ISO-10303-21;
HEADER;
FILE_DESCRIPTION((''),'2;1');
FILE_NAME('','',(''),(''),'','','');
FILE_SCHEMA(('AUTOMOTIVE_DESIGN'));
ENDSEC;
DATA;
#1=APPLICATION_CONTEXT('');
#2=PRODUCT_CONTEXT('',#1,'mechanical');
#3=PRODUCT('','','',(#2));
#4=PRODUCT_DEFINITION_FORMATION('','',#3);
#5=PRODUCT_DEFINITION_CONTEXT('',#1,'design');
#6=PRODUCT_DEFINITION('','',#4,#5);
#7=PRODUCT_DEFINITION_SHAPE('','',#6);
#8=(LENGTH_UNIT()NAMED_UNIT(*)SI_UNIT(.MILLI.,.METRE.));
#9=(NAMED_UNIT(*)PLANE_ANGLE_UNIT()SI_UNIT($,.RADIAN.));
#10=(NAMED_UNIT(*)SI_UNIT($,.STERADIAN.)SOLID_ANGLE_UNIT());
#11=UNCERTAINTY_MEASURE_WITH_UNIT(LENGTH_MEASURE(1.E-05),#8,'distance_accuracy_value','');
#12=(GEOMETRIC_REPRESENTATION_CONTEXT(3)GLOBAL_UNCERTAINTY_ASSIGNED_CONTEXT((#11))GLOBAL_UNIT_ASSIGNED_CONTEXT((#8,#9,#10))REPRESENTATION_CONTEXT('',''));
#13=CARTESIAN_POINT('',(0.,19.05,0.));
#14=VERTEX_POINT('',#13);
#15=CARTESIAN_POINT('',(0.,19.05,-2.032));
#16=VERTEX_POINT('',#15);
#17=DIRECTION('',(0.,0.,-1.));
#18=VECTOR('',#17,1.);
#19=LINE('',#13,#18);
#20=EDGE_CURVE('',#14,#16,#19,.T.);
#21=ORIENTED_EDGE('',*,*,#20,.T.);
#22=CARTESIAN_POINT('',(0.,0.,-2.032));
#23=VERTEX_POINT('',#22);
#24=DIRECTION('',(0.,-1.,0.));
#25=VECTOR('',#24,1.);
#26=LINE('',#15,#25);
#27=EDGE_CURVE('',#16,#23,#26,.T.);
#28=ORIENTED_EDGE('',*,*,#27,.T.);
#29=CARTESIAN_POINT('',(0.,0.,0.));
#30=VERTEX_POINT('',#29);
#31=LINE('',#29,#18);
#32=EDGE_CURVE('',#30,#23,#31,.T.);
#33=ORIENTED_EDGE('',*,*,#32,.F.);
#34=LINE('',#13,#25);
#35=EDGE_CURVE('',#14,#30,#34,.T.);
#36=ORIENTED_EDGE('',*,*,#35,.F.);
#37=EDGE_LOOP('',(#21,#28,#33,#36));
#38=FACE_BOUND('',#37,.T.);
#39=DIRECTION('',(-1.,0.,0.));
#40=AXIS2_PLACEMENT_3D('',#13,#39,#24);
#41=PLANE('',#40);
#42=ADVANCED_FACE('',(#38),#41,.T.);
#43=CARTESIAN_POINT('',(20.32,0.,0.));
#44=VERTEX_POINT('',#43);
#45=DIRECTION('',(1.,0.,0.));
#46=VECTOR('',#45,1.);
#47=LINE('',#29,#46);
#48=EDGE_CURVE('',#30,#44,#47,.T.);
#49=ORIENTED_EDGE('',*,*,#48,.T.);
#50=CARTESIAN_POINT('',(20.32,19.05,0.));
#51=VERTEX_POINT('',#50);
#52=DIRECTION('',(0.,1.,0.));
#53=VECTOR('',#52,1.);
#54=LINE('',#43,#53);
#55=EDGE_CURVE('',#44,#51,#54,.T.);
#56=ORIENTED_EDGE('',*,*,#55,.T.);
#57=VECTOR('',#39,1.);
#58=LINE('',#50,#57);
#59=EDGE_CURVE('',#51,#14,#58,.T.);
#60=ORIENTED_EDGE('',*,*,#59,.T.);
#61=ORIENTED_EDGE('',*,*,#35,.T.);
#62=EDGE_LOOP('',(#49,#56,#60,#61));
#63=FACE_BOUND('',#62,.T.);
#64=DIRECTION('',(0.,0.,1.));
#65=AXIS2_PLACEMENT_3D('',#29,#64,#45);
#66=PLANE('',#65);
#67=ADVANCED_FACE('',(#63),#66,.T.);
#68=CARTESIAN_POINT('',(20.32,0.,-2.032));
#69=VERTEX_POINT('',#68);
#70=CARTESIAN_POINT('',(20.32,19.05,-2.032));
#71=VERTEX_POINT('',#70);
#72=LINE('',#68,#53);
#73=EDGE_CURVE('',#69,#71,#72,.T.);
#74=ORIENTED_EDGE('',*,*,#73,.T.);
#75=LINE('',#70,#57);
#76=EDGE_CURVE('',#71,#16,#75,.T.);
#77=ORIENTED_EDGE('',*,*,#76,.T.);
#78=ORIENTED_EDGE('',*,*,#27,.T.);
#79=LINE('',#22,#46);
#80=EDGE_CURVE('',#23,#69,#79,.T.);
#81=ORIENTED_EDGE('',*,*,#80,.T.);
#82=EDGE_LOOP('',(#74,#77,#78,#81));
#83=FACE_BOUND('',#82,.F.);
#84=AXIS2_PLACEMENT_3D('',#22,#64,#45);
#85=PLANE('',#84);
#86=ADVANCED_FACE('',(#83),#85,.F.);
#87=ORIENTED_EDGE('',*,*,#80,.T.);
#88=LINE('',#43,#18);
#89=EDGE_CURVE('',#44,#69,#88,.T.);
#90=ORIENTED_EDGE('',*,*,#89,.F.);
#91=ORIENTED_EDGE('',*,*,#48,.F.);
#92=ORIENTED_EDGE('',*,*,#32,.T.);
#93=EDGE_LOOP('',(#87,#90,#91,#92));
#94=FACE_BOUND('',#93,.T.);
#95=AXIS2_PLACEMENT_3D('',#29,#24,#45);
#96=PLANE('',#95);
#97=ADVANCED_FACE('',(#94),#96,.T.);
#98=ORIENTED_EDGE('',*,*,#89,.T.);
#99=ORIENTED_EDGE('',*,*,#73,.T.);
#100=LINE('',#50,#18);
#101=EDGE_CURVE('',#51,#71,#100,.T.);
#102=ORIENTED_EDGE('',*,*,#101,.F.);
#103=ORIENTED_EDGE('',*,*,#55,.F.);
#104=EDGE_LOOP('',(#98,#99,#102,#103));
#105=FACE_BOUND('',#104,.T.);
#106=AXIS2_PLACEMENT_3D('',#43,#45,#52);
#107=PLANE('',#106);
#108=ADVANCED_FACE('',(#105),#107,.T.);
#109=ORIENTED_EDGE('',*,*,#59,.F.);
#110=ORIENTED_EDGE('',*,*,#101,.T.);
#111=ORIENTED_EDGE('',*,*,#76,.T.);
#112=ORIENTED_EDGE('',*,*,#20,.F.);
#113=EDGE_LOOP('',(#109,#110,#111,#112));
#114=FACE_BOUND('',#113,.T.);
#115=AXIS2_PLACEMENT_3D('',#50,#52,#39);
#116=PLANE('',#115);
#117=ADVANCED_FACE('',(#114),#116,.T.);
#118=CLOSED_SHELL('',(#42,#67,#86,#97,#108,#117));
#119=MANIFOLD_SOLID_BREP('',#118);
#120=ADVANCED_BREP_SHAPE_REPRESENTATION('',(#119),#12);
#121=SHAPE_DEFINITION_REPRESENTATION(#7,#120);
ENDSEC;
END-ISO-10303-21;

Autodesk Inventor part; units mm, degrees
ref_plane "YZ Plane" through (0, 0, 0) normal (1, 0, 0) x (0, 1, 0)
ref_plane "XZ Plane" through (0, 0, 0) normal (0, 1, 0) x (-1, 0, 0)
ref_plane "XY Plane" through (0, 0, 0) normal (0, 0, 1) x (1, 0, 0)
sketch "Sketch1" plane through (0, 0, 0) normal (0, 0, 1) x (1, 0, 0)
  line L0 (0, 0) -> (20.32, 0)
  line L1 (20.32, 0) -> (20.32, 19.05)
  line L2 (20.32, 19.05) -> (0, 19.05)
  line L3 (0, 19.05) -> (0, 0)
  dimension "d0" = 20.32
  dimension "d1" = 19.05
extrude "Extrusion1" add sketch "Sketch1" against normal blind 2.032
properties part number "Battery Charge Board 1904"
